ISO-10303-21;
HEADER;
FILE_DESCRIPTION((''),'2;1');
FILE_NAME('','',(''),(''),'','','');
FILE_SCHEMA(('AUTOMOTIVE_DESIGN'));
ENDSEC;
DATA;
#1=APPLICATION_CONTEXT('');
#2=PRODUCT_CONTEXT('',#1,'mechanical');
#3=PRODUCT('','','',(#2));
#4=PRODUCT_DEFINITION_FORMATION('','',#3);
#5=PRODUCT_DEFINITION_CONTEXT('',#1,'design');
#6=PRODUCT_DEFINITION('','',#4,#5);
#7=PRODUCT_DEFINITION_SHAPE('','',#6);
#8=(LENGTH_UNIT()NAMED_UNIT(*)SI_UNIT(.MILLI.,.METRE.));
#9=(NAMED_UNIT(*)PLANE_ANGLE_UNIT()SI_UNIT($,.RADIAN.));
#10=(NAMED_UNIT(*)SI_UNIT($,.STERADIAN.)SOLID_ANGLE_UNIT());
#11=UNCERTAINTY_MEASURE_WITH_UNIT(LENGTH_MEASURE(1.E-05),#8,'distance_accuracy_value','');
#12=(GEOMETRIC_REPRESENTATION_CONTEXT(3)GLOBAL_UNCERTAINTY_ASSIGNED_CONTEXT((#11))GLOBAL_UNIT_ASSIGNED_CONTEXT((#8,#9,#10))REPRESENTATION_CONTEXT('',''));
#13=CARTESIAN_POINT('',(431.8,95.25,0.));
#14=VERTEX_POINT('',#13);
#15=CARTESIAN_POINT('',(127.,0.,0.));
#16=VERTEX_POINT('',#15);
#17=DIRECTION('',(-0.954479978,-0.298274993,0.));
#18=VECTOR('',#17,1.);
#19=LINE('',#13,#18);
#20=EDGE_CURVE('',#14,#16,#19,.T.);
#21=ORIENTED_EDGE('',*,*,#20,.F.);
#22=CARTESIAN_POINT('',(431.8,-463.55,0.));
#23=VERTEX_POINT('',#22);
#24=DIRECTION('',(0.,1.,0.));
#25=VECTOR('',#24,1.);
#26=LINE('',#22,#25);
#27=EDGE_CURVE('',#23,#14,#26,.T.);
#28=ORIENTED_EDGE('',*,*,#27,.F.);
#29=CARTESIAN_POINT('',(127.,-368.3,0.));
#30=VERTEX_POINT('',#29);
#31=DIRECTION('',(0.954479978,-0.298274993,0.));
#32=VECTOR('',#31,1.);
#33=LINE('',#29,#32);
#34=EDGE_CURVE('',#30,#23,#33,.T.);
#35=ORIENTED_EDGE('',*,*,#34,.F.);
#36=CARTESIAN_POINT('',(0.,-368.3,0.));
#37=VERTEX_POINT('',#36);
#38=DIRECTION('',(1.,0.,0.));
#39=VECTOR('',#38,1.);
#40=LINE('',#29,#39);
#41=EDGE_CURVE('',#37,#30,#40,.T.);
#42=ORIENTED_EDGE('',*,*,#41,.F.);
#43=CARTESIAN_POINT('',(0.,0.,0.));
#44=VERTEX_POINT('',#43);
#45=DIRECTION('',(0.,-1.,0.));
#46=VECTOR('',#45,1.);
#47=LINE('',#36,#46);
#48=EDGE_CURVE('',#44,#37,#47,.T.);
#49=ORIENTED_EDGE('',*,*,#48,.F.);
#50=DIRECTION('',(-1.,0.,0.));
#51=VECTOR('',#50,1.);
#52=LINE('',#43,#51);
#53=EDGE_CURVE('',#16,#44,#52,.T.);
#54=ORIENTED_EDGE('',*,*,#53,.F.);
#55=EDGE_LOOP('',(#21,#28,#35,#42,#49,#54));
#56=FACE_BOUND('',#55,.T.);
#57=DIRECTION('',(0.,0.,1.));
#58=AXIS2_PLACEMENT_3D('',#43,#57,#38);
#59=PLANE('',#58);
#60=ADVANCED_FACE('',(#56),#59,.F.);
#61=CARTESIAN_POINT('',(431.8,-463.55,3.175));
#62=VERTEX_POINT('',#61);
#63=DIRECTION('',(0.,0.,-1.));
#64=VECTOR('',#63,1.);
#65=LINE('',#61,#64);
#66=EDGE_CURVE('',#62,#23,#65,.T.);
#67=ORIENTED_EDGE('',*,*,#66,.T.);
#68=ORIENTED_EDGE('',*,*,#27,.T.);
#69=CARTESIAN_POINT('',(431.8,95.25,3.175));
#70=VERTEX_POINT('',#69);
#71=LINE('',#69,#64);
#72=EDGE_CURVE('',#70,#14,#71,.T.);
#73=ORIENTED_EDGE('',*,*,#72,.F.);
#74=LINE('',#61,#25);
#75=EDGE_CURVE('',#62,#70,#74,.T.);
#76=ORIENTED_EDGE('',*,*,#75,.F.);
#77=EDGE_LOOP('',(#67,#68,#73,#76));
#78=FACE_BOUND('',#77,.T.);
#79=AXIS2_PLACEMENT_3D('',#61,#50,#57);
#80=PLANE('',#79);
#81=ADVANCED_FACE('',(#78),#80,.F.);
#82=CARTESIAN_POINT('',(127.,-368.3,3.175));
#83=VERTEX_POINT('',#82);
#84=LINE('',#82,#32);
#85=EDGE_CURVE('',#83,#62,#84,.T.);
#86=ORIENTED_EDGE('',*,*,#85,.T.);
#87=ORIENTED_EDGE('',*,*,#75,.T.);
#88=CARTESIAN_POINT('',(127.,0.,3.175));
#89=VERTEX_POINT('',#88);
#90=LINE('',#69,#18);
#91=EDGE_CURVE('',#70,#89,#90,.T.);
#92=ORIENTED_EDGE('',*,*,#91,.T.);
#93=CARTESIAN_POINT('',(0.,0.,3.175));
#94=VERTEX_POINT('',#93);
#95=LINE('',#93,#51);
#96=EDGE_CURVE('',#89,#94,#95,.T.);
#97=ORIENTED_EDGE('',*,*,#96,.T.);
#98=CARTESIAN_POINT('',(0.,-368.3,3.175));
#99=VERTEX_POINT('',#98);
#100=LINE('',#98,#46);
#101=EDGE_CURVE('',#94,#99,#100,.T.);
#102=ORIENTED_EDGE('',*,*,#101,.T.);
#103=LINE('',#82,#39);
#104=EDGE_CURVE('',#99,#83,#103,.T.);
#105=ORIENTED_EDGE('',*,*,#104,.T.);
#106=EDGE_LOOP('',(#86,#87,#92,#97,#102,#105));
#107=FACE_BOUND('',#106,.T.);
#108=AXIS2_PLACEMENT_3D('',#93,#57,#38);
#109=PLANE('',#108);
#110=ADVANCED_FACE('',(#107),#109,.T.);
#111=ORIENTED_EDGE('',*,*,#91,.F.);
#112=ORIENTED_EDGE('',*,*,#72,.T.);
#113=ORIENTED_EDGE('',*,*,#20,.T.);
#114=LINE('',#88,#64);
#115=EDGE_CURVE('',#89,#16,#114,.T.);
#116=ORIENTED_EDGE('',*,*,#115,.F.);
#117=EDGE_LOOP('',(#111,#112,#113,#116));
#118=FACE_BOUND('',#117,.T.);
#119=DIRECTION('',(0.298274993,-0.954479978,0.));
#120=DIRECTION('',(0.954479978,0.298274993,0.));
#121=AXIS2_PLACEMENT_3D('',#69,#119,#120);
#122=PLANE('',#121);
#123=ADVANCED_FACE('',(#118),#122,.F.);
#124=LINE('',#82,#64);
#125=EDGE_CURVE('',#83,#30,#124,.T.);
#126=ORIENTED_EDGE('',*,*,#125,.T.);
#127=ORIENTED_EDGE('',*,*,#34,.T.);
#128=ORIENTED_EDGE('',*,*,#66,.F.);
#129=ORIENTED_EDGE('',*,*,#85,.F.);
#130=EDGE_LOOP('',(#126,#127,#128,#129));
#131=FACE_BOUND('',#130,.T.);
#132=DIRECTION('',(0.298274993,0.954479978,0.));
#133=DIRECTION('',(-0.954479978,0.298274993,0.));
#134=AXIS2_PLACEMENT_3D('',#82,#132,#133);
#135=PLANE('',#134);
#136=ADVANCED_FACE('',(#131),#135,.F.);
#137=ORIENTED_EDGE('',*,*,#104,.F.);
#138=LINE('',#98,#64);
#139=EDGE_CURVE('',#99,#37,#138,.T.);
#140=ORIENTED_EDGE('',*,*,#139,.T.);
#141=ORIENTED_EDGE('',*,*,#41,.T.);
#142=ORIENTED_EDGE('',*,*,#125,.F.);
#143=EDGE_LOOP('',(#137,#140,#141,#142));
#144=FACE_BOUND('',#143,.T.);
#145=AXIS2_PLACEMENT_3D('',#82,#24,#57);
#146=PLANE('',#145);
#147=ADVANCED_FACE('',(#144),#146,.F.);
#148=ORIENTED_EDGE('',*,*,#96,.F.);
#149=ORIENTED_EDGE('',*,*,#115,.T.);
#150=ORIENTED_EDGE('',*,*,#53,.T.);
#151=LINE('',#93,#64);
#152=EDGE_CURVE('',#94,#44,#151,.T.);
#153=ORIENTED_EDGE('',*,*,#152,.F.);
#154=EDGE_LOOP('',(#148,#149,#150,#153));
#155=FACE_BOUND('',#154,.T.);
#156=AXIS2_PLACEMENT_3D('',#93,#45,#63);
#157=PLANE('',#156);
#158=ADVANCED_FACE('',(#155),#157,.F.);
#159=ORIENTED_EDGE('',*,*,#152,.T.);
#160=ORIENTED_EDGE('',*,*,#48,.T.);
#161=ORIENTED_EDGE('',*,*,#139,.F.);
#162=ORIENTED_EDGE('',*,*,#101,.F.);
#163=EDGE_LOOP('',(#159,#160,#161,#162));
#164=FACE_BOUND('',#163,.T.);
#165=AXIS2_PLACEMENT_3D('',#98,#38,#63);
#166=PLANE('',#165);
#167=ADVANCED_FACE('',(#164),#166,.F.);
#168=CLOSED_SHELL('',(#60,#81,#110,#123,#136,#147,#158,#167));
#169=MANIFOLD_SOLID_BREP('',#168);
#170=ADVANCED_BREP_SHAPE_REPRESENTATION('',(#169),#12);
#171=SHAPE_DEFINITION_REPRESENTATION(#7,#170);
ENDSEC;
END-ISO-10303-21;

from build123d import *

# Parameters (mm, degrees)
BOSS_EXTRUDE1_DEPTH = 3.175


with BuildPart() as part:
    # Sketch1 → Boss-Extrude1 (new body)
    with BuildSketch(Plane(origin=(0, 0, 0), x_dir=(0, 1, 0), z_dir=(0, 0, 1))):
        Polygon((-368.3, -127), (-368.3, 0), (0, 0), (0, -127), (95.25, -431.8), (-463.55, -431.8), align=None)
    extrude(amount=BOSS_EXTRUDE1_DEPTH)


solid = part.part
